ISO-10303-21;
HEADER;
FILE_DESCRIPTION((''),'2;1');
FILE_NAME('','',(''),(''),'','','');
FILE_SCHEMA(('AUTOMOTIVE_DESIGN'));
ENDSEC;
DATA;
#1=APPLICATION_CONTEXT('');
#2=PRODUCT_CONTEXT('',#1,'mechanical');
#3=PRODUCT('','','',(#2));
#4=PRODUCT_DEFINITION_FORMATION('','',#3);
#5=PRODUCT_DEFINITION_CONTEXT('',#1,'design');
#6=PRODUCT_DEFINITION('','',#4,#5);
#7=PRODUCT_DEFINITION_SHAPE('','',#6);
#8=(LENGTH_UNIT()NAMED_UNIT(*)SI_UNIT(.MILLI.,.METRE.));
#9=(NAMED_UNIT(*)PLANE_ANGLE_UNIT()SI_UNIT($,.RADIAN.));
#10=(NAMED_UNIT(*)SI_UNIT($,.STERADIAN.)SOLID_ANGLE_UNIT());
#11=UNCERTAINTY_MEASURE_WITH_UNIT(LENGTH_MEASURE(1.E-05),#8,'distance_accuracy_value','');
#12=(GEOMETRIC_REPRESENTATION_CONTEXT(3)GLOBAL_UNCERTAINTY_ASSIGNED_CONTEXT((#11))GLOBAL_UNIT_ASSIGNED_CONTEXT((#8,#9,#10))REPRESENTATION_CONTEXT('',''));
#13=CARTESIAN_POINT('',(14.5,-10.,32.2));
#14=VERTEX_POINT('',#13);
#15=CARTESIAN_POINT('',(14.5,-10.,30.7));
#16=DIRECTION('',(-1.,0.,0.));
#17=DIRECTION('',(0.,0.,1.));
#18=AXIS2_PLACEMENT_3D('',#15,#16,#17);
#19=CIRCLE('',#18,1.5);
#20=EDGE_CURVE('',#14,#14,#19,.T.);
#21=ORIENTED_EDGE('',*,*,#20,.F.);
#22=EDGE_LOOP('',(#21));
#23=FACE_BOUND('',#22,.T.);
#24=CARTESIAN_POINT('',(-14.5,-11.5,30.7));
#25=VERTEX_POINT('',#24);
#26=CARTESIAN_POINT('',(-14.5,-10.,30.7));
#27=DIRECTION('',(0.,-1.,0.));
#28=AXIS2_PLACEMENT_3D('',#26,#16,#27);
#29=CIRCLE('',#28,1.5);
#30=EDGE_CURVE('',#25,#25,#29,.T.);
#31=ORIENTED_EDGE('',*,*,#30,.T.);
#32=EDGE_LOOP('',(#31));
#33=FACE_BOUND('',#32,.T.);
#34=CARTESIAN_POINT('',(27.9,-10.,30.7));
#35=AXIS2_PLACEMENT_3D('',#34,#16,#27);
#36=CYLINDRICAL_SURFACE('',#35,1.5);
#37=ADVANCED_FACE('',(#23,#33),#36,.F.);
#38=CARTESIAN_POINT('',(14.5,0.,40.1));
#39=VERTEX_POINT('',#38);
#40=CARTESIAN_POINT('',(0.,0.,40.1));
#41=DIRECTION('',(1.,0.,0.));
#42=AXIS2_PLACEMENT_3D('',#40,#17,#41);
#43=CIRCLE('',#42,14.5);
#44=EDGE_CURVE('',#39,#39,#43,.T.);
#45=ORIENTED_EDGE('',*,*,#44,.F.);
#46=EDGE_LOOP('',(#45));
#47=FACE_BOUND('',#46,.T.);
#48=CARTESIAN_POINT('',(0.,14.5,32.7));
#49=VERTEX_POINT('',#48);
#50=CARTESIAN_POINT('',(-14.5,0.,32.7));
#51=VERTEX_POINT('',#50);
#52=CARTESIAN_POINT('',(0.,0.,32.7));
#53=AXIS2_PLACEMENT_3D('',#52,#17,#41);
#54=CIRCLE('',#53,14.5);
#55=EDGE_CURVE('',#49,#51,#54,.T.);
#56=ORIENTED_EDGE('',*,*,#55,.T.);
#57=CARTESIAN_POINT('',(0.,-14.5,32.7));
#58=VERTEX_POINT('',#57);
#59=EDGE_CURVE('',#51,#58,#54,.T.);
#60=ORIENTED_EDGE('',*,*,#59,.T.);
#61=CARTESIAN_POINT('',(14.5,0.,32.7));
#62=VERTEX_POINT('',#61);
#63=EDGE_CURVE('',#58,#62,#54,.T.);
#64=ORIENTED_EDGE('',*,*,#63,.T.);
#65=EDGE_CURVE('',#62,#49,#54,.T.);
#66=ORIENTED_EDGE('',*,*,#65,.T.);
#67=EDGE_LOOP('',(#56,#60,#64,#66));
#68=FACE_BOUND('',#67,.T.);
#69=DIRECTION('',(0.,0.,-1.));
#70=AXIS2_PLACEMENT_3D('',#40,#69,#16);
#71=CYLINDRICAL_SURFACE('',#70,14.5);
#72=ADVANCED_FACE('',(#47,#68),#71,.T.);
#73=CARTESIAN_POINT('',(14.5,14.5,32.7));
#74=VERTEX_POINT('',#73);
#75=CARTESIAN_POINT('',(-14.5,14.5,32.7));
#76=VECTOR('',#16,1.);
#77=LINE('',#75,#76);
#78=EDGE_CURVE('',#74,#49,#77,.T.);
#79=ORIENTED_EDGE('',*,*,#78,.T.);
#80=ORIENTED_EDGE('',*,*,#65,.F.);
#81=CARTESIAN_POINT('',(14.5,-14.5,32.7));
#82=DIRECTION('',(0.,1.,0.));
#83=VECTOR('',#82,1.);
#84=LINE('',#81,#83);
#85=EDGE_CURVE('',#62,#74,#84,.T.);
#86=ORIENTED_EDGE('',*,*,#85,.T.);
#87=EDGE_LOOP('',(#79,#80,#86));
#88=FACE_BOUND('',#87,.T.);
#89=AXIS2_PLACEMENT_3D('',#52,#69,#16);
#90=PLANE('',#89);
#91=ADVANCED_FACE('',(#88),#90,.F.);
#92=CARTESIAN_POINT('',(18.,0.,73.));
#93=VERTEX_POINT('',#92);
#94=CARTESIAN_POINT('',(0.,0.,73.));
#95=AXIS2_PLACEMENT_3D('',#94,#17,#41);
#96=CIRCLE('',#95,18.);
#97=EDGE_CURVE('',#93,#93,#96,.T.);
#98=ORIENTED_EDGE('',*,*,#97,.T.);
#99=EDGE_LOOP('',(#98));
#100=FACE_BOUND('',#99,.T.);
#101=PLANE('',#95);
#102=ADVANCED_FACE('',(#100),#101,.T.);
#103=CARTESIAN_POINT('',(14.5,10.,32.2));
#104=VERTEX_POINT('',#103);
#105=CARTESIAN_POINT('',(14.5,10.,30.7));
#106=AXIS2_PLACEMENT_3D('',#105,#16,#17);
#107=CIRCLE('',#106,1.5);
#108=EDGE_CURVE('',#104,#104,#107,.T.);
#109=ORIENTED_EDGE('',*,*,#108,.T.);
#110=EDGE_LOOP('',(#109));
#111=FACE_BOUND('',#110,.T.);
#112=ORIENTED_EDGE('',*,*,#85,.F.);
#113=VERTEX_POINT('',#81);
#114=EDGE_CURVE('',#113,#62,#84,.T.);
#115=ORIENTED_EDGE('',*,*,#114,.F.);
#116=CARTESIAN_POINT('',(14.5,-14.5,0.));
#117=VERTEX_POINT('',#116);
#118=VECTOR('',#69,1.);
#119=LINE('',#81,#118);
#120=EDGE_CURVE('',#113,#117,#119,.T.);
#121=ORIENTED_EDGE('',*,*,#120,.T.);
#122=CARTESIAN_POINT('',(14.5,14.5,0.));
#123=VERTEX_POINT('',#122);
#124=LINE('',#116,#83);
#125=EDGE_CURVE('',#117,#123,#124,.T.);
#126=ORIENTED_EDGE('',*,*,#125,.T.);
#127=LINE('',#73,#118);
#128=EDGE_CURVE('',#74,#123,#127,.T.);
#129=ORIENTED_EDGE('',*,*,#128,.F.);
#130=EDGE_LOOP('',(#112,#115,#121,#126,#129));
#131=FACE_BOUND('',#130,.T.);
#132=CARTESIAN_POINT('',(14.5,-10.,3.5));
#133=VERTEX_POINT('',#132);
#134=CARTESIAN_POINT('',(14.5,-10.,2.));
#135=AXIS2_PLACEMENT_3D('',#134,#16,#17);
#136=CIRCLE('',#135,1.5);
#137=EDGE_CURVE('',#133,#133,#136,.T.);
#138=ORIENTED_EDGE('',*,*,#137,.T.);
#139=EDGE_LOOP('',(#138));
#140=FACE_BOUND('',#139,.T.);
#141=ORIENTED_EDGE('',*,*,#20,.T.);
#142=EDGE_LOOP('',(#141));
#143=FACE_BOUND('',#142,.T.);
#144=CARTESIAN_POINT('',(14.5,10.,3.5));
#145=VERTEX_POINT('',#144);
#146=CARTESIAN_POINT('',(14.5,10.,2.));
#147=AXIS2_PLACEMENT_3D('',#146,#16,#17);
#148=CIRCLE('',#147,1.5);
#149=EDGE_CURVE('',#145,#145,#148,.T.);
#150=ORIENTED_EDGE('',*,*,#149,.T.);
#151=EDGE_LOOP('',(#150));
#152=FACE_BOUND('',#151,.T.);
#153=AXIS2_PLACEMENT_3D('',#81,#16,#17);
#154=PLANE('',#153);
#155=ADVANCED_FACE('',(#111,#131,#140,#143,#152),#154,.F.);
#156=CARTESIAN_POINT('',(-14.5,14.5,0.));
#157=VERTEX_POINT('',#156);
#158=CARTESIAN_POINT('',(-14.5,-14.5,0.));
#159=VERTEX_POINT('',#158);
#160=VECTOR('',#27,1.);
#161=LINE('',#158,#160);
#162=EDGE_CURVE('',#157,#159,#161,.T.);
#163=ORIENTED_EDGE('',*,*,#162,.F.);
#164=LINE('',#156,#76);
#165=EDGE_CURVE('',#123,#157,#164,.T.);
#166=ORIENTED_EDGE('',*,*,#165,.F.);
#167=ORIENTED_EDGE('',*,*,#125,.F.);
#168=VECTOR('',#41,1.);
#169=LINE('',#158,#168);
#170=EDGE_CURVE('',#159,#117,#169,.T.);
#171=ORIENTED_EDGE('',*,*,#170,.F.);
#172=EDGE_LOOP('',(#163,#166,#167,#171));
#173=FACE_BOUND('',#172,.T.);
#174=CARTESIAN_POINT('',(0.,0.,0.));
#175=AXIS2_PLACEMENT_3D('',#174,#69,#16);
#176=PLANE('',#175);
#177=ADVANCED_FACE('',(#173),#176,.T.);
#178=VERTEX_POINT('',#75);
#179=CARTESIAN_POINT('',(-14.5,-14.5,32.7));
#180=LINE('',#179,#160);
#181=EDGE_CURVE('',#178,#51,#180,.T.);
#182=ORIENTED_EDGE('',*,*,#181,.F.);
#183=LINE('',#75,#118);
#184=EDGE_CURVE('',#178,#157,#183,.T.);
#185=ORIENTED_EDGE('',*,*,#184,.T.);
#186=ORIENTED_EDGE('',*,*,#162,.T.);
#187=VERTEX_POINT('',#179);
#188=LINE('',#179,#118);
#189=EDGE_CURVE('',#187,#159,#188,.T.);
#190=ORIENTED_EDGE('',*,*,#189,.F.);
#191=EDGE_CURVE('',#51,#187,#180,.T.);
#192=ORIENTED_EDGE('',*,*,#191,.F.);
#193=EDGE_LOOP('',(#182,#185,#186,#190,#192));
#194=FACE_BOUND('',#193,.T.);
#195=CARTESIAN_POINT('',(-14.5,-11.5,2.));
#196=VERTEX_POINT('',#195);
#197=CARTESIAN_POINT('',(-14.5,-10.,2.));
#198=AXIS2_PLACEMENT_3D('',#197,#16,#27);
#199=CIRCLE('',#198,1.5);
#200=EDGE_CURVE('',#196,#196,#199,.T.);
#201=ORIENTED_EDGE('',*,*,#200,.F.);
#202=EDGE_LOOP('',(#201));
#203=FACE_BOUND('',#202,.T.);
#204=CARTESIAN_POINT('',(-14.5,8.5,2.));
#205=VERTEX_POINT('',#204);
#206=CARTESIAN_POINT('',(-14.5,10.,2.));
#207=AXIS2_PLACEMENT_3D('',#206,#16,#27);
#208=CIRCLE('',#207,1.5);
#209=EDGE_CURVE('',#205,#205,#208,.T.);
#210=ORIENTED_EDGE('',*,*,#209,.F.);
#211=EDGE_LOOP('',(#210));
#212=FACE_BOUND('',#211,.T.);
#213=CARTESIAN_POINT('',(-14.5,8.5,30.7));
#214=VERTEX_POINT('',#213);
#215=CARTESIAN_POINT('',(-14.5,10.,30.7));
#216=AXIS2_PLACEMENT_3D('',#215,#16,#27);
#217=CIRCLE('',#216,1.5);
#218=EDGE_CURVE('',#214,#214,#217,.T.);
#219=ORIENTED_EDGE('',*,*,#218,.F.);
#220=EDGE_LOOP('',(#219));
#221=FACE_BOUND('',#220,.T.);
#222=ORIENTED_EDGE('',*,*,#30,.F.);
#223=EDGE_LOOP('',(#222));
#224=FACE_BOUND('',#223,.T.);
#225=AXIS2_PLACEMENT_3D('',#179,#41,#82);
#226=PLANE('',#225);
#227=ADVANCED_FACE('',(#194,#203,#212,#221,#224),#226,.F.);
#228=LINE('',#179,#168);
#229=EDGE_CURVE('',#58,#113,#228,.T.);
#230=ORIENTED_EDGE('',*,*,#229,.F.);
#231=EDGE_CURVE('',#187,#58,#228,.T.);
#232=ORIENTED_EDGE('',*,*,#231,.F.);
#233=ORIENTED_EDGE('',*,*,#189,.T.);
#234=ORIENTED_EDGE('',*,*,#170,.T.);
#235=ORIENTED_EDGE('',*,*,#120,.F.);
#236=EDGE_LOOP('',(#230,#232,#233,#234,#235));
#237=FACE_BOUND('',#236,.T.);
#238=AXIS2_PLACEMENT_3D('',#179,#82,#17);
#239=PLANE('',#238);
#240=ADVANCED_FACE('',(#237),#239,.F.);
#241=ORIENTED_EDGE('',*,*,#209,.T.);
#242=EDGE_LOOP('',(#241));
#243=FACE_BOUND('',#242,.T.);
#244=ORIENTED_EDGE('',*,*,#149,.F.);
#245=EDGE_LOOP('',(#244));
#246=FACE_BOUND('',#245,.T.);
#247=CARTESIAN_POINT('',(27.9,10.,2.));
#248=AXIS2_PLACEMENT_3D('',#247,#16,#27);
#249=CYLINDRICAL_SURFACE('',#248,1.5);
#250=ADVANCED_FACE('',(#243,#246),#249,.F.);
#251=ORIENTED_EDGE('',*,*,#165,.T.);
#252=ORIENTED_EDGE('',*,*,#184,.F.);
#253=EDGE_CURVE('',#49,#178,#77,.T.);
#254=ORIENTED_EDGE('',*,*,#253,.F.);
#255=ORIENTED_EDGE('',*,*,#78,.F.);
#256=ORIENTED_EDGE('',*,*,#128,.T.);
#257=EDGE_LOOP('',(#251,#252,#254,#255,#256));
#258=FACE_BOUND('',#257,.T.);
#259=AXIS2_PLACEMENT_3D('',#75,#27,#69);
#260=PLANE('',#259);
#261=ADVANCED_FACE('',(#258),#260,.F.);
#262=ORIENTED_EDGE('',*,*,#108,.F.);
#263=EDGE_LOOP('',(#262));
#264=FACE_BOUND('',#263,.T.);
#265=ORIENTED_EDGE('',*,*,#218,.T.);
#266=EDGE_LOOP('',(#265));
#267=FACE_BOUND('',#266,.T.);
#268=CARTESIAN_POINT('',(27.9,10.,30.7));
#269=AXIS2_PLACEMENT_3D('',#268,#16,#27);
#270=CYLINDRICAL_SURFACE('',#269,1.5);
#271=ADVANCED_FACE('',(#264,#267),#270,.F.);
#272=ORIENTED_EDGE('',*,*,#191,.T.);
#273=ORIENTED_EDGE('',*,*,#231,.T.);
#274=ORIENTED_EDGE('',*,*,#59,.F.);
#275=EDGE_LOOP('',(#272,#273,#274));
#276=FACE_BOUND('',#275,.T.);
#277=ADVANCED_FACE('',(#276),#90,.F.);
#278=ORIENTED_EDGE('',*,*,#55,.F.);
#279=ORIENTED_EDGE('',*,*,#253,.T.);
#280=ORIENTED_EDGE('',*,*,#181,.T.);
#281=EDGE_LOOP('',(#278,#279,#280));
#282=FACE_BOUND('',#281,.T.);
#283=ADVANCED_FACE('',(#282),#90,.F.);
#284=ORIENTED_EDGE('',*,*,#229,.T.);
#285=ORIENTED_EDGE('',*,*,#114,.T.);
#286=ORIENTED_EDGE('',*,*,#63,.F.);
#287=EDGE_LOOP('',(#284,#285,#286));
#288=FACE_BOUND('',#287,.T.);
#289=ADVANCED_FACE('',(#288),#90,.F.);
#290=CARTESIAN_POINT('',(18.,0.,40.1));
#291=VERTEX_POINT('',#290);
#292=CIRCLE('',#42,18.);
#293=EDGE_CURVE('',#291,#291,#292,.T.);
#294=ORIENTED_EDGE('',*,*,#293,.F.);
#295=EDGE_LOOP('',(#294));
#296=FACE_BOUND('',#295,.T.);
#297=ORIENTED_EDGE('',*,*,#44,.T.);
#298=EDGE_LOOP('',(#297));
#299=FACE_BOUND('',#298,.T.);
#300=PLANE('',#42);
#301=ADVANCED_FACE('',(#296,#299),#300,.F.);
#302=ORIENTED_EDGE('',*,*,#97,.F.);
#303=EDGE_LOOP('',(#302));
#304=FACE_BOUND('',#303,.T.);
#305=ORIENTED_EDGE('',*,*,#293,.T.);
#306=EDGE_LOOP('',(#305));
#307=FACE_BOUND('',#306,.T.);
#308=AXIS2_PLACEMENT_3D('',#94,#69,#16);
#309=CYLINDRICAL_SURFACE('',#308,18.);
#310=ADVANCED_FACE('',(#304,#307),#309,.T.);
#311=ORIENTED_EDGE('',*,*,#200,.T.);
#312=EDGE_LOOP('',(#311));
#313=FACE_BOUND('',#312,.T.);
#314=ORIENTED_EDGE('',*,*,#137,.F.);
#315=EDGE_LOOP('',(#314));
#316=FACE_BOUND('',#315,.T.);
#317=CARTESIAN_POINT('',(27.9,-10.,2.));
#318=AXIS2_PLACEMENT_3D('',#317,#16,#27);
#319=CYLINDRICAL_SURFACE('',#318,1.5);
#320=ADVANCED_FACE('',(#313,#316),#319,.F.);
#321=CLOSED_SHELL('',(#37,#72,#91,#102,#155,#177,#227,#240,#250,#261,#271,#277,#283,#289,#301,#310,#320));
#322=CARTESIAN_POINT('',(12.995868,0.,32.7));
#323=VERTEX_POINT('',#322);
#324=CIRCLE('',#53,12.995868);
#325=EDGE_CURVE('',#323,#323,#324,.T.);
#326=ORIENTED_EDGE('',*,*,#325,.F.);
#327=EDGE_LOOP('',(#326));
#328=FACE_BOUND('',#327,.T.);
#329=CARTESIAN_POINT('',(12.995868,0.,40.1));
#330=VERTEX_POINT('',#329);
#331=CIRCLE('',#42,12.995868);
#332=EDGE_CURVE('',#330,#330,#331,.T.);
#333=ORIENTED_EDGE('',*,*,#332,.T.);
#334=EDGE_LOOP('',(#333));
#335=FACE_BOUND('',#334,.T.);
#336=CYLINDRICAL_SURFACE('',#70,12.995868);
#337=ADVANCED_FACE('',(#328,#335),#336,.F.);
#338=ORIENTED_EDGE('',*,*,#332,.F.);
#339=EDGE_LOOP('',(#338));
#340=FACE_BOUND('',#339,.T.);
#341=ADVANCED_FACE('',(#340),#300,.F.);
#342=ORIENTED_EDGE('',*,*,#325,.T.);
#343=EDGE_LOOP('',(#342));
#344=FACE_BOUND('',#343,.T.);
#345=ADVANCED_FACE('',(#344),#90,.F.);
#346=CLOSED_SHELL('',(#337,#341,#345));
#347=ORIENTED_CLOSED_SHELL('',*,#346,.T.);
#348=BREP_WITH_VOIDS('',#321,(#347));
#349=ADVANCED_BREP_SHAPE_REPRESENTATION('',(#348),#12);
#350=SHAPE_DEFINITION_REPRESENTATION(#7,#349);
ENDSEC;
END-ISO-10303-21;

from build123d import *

# Parameters (mm, degrees)
SKETCH_1_W          = 29
SKETCH_1_H          = 29
EXTRUDE_1_DEPTH     = 32.7
SKETCH_2_R          = 14.5
SKETCH_2_R_2        = 12.995867769
EXTRUDE_2_DEPTH     = 7.4
SKETCH_3_R          = 1.5
CUT_EXTRUDE_1_DEPTH = 42.4
SKETCH_4_R          = 18
EXTRUDE_3_DEPTH     = 32.9


with BuildPart() as part:
    # 草图1 → 凸台-拉伸1 (new body)
    with BuildSketch(Plane.XY):
        Rectangle(SKETCH_1_W, SKETCH_1_H)
    extrude(amount=EXTRUDE_1_DEPTH)

    # 草图2 → 凸台-拉伸2 (add)
    with BuildSketch(Plane.XY.offset(32.7)):
        Circle(SKETCH_2_R)
        Circle(SKETCH_2_R_2, mode=Mode.SUBTRACT)
    extrude(amount=EXTRUDE_2_DEPTH)

    # 草图3 → 切除-拉伸1 (cut)
    with BuildSketch(Plane.ZY.offset(14.5)):
        with Locations(Location((2, 10, 0), (0, 0, 270))):
            Circle(SKETCH_3_R)
        with Locations(Location((30.7, 10, 0), (0, 0, 270))):
            Circle(SKETCH_3_R)
        with Locations(Location((30.7, -10, 0), (0, 0, 270))):
            Circle(SKETCH_3_R)
        with Locations(Location((2, -10, 0), (0, 0, 270))):
            Circle(SKETCH_3_R)
    extrude(amount=-CUT_EXTRUDE_1_DEPTH, mode=Mode.SUBTRACT)

    # 草图4 → 凸台-拉伸3 (add)
    with BuildSketch(Plane.XY.offset(40.1)):
        Circle(SKETCH_4_R)
    extrude(amount=EXTRUDE_3_DEPTH)


solid = part.part
